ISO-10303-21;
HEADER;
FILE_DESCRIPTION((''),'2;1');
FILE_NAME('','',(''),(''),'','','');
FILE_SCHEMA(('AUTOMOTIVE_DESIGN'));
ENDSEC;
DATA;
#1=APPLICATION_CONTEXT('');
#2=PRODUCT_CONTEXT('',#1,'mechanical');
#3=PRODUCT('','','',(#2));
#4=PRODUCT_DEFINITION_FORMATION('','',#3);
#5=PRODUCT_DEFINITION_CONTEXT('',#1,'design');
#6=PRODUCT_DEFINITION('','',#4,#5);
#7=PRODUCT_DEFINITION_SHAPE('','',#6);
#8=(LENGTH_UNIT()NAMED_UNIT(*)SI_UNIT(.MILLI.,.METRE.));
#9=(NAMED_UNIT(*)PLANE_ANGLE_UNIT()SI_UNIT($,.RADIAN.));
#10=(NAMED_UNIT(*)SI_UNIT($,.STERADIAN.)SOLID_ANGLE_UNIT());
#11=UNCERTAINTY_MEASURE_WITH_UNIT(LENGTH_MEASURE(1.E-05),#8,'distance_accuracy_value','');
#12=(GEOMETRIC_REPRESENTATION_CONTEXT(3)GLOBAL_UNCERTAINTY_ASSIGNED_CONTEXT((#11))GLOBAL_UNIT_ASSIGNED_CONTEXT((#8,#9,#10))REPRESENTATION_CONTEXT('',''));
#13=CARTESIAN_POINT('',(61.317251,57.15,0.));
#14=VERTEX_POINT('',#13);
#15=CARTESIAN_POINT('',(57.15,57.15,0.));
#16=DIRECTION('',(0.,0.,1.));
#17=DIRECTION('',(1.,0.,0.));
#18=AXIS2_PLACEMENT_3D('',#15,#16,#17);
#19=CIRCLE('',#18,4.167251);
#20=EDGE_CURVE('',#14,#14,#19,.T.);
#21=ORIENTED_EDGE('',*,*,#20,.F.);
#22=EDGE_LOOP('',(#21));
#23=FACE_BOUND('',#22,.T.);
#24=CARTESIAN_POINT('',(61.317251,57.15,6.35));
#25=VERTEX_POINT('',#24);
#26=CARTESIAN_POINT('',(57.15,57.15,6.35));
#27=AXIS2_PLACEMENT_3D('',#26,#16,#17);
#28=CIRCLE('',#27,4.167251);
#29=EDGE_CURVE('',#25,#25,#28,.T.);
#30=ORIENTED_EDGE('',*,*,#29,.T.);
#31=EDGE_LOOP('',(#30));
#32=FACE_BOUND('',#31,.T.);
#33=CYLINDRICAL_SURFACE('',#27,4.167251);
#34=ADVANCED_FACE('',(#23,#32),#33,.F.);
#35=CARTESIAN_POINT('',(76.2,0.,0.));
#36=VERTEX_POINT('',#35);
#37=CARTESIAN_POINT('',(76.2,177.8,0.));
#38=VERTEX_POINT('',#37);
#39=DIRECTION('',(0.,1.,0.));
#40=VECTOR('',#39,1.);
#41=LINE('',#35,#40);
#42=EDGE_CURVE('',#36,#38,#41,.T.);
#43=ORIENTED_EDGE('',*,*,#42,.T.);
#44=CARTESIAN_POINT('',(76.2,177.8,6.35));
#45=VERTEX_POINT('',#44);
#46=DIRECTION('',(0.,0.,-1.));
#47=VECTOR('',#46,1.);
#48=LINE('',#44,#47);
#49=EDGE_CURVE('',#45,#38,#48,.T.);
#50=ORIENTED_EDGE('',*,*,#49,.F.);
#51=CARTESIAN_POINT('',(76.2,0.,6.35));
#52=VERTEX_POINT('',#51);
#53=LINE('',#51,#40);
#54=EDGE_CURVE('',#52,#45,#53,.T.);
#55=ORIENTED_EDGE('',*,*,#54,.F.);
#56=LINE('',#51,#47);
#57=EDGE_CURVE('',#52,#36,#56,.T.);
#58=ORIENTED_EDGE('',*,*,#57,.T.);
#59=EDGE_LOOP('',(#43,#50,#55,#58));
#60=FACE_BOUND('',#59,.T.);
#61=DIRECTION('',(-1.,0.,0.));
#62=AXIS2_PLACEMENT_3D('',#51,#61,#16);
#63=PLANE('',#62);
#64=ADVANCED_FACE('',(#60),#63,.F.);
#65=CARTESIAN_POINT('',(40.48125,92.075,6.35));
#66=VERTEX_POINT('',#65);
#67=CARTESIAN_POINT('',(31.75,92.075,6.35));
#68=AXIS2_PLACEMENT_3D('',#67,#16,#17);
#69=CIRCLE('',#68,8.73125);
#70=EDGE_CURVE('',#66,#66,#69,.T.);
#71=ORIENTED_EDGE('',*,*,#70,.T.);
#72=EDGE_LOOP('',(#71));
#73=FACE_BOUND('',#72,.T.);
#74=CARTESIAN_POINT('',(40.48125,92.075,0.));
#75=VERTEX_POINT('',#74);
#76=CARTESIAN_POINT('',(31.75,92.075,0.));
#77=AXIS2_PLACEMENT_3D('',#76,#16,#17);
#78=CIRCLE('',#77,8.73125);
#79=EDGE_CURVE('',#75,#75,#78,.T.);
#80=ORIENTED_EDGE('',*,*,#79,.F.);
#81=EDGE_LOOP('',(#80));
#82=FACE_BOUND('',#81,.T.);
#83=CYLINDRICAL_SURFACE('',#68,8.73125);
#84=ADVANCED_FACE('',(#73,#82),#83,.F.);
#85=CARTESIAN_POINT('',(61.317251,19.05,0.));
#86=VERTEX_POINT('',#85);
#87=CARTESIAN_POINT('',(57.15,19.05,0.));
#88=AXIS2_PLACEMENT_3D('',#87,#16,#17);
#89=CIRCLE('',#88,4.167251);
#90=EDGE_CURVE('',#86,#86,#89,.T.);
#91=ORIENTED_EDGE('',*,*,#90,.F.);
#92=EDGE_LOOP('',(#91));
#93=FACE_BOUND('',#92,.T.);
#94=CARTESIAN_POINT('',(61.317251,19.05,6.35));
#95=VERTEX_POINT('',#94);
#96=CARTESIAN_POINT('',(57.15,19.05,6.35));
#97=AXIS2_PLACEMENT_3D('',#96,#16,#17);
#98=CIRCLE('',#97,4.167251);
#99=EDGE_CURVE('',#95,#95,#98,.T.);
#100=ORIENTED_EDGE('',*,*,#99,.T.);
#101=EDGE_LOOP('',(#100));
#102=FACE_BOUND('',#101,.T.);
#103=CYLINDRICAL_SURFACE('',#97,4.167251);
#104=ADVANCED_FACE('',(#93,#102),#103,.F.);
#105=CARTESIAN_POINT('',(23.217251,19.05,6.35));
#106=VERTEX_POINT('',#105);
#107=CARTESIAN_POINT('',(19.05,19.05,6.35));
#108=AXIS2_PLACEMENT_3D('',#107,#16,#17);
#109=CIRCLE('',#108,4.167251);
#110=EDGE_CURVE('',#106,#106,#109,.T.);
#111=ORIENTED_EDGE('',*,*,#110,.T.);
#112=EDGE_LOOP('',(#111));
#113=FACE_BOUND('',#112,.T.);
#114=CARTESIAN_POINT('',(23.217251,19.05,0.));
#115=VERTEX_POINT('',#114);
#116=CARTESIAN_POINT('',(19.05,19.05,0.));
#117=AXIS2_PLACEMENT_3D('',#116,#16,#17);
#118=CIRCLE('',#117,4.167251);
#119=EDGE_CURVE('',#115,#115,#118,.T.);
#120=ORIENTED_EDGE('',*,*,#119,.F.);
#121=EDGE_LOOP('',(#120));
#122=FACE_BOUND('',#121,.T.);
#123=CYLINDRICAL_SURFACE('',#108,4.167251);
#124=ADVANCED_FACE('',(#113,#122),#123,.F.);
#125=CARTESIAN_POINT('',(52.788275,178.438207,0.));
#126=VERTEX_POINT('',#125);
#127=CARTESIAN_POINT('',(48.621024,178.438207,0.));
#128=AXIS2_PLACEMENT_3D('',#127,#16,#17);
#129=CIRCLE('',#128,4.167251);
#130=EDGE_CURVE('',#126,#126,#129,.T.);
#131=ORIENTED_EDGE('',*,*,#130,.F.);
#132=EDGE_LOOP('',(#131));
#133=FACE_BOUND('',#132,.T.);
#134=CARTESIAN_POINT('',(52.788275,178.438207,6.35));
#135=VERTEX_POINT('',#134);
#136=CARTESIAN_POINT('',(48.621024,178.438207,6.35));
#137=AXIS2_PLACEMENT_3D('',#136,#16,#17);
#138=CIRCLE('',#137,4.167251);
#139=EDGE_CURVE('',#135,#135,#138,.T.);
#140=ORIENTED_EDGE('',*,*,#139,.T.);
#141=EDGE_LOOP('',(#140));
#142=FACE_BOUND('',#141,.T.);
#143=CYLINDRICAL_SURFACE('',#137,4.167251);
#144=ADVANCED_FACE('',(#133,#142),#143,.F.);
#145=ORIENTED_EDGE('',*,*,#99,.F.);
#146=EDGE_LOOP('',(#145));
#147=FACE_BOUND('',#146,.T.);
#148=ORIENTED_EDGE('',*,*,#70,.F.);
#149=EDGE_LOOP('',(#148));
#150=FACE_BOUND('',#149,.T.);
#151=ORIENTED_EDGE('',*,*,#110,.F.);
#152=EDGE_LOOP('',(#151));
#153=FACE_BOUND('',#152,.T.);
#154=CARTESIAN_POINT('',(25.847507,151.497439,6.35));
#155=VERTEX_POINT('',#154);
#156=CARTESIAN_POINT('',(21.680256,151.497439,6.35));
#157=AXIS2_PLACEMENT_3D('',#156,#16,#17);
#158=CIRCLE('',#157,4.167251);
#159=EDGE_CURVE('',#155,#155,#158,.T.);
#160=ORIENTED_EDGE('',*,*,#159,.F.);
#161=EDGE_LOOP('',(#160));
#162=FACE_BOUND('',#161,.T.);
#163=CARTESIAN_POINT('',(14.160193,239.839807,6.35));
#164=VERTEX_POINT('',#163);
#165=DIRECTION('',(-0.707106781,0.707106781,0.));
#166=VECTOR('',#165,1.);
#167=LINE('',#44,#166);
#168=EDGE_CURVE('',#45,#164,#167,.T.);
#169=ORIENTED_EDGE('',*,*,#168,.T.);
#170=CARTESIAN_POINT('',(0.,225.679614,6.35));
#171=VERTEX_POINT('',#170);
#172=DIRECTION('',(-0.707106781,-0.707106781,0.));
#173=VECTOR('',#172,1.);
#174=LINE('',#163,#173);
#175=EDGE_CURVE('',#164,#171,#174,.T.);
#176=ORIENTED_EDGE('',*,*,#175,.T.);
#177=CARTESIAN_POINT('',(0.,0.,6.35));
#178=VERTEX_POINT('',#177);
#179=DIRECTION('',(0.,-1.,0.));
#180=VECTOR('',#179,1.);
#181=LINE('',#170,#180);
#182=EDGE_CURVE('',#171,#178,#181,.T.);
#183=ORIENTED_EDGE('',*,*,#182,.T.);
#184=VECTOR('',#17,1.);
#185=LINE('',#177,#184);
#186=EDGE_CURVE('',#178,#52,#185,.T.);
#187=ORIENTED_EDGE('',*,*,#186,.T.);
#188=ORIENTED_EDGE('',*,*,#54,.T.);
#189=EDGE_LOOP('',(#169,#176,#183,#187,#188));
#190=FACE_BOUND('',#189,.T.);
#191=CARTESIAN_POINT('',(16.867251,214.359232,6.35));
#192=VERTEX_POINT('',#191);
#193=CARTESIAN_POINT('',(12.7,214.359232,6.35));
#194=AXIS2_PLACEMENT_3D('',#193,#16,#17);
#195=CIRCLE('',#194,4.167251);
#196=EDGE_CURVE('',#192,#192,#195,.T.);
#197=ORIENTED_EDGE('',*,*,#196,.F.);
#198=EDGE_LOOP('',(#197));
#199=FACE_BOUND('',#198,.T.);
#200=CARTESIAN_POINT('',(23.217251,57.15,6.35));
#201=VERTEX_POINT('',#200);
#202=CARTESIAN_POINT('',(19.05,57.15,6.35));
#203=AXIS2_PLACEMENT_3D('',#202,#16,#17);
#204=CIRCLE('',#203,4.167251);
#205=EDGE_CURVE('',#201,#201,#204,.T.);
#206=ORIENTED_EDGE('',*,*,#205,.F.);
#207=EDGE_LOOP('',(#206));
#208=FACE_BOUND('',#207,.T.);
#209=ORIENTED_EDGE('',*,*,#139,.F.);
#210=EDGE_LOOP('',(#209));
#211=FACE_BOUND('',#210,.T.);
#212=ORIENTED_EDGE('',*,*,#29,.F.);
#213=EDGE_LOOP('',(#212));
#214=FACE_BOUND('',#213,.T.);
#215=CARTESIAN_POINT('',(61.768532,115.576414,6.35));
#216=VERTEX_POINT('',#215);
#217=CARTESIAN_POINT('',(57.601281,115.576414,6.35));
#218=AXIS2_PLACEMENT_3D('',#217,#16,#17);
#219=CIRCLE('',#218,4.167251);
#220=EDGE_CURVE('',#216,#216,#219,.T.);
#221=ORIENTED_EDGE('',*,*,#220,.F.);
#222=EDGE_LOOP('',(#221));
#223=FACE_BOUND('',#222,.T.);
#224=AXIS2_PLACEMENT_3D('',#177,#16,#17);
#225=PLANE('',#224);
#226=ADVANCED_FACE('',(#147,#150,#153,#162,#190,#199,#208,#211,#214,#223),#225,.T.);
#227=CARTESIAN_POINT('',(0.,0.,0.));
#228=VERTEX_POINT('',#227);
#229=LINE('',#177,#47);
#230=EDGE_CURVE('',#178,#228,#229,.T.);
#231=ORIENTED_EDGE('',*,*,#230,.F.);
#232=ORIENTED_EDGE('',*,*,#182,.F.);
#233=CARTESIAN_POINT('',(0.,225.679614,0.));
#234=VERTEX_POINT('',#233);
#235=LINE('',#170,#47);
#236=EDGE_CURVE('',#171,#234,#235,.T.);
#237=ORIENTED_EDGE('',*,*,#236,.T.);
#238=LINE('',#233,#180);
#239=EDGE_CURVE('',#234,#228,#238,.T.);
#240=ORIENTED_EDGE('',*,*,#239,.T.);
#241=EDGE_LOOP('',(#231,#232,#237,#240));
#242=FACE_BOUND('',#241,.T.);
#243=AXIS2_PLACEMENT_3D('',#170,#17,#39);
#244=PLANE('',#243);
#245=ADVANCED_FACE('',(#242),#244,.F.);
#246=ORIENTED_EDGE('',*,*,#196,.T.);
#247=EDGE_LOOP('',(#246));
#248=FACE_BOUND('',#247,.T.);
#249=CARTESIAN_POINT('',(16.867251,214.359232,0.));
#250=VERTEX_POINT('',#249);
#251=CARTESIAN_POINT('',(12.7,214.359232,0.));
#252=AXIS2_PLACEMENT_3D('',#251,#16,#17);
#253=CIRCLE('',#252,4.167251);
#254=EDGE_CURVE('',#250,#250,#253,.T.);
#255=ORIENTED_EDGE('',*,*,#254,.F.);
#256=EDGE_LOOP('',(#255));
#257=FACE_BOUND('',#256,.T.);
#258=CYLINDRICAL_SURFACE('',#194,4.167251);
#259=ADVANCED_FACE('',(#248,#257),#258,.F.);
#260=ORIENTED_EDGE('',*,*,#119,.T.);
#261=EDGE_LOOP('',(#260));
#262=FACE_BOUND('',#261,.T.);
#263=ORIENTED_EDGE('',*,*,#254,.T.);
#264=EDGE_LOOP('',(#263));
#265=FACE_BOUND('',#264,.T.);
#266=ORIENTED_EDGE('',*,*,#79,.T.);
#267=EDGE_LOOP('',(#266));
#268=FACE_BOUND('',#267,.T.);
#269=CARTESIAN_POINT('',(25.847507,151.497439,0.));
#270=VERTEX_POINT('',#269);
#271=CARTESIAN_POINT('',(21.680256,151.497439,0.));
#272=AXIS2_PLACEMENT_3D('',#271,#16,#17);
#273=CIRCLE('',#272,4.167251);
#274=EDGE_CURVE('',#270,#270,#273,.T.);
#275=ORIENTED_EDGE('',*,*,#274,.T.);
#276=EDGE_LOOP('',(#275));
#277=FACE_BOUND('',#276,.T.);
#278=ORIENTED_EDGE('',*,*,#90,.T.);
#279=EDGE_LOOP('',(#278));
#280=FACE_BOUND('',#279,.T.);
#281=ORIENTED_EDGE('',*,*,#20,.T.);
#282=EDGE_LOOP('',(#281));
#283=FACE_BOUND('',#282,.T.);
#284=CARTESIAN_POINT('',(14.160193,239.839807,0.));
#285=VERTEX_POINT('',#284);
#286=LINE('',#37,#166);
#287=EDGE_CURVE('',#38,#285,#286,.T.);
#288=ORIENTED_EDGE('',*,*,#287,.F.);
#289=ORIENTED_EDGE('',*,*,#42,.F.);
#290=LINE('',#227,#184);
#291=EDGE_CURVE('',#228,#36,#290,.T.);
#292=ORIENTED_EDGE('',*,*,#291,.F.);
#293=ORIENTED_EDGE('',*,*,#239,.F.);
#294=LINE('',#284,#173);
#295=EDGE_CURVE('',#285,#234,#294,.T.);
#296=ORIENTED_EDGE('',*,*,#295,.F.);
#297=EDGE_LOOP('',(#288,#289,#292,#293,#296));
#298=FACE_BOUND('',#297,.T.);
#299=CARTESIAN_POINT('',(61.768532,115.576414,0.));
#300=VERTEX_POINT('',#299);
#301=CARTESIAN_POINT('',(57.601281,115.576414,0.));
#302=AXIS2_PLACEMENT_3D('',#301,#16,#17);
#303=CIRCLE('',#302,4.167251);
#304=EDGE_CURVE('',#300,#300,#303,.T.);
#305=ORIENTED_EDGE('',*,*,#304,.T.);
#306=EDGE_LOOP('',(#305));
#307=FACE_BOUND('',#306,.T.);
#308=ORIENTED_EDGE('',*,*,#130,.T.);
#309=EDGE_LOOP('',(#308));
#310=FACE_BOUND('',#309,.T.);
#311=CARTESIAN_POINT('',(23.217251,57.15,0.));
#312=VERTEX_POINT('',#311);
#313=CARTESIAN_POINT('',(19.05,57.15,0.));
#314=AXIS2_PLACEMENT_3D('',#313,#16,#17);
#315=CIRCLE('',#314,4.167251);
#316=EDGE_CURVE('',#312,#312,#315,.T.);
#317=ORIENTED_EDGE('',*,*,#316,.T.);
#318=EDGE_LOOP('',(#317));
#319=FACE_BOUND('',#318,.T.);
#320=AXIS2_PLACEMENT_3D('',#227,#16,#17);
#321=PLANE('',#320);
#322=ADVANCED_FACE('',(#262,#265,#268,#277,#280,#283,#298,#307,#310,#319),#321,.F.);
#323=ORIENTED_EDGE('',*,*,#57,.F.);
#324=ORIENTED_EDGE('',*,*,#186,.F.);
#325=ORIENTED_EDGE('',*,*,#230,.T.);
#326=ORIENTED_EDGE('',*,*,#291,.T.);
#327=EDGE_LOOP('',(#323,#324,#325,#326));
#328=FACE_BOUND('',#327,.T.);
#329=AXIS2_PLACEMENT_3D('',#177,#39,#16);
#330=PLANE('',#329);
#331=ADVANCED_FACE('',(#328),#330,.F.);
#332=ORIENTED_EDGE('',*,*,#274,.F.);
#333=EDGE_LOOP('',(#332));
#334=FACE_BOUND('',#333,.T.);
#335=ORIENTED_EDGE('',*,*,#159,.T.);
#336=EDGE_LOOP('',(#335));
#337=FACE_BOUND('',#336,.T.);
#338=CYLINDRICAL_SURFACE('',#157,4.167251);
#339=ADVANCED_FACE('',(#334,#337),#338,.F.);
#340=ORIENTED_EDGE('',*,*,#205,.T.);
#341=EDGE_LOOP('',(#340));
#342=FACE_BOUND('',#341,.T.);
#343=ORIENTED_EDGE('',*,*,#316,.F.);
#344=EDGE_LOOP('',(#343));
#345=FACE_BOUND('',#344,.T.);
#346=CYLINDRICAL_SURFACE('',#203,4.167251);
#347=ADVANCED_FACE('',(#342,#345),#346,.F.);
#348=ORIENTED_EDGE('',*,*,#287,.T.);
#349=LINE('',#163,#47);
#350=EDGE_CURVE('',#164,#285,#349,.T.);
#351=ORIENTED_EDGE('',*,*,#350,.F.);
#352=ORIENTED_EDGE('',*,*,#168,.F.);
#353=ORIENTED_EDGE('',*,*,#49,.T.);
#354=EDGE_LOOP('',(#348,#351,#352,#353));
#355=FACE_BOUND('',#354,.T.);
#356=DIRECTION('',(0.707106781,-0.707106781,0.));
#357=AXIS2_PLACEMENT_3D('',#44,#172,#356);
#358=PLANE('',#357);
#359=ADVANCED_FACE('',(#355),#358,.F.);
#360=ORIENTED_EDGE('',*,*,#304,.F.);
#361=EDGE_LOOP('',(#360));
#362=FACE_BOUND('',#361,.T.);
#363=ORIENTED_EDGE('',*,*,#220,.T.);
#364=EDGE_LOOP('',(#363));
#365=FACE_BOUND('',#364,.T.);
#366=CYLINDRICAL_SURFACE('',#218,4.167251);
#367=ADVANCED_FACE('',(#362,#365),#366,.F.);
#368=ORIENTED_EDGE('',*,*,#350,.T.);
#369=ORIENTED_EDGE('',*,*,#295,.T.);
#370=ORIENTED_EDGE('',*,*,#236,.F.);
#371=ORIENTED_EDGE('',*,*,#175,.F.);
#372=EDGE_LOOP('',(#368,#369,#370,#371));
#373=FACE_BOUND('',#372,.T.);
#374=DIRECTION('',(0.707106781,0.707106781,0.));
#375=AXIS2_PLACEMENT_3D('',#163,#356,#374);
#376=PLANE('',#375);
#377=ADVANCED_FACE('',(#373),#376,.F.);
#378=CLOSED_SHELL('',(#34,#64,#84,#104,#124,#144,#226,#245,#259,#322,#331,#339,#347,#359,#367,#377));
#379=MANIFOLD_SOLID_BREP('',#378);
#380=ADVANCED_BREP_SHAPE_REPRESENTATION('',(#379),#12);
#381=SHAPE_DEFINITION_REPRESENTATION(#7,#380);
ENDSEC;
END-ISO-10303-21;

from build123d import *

# Parameters (mm, degrees)
BOSS_EXTRUDE1_DEPTH              = 6.35
F_21_64_0_32813_DIAMETER_HOLE1_D = 8.334502
LPATTERN1_COUNT                  = 2
LPATTERN1_PITCH                  = 38.1
LPATTERN1_COUNT_DIR2             = 2
LPATTERN1_PITCH_DIR2             = 38.1
F_21_64_0_32813_DIAMETER_HOLE2_D = 8.334502
LPATTERN2_COUNT                  = 3
LPATTERN2_PITCH                  = 50.8
LPATTERN2_COUNT_DIR2             = 2
LPATTERN2_PITCH_DIR2             = 38.1
F_11_16_0_6875_DIAMETER_HOLE1_D  = 17.4625


with BuildPart() as part:
    # Sketch1 → Boss-Extrude1 (new body)
    with BuildSketch(Plane.XY):
        Polygon((0, 0), (76.2, 0), (76.2, 177.8), (14.160193237, 239.839806763), (0, 225.679613527), align=None)
    extrude(amount=BOSS_EXTRUDE1_DEPTH)

    # 21/64 (0.32813) Diameter Hole1 (through all)
    with Locations(Plane.XY.offset(6.35)):
        with Locations((57.15, 19.05)):
            f_21_64_0_32813_diameter_hole1 = Hole(F_21_64_0_32813_DIAMETER_HOLE1_D / 2)

    # LPattern1: 21_64 _0.32813_ Diameter Hole1 2 × 2
    with Locations(*[(-i * LPATTERN1_PITCH, j * LPATTERN1_PITCH_DIR2, 0) for i in range(LPATTERN1_COUNT) for j in range(LPATTERN1_COUNT_DIR2) if (i, j) != (0, 0)]):
        add(f_21_64_0_32813_diameter_hole1, mode=Mode.SUBTRACT)

    # 21/64 (0.32813) Diameter Hole2 (through all)
    with Locations(Plane.XY.offset(6.35)):
        with Locations((12.7, 214.359231637)):
            f_21_64_0_32813_diameter_hole2 = Hole(F_21_64_0_32813_DIAMETER_HOLE2_D / 2)

    # LPattern2: 21_64 _0.32813_ Diameter Hole2 3 × 2, 2 skipped
    with Locations(*[Vector(0.7071067811865515, -0.7071067811865437, 0) * (i * LPATTERN2_PITCH) + Vector(-0.7071067811865441, -0.707106781186551, 0) * (j * LPATTERN2_PITCH_DIR2) for i in range(LPATTERN2_COUNT) for j in range(LPATTERN2_COUNT_DIR2) if (i, j) not in ((0, 0), (0, 1), (2, 0))]):
        add(f_21_64_0_32813_diameter_hole2, mode=Mode.SUBTRACT)

    # 11/16 (0.6875) Diameter Hole1 (through all)
    with Locations(Plane.XY.offset(6.35)):
        with Locations((31.75, 92.075)):
            Hole(F_11_16_0_6875_DIAMETER_HOLE1_D / 2)


solid = part.part
